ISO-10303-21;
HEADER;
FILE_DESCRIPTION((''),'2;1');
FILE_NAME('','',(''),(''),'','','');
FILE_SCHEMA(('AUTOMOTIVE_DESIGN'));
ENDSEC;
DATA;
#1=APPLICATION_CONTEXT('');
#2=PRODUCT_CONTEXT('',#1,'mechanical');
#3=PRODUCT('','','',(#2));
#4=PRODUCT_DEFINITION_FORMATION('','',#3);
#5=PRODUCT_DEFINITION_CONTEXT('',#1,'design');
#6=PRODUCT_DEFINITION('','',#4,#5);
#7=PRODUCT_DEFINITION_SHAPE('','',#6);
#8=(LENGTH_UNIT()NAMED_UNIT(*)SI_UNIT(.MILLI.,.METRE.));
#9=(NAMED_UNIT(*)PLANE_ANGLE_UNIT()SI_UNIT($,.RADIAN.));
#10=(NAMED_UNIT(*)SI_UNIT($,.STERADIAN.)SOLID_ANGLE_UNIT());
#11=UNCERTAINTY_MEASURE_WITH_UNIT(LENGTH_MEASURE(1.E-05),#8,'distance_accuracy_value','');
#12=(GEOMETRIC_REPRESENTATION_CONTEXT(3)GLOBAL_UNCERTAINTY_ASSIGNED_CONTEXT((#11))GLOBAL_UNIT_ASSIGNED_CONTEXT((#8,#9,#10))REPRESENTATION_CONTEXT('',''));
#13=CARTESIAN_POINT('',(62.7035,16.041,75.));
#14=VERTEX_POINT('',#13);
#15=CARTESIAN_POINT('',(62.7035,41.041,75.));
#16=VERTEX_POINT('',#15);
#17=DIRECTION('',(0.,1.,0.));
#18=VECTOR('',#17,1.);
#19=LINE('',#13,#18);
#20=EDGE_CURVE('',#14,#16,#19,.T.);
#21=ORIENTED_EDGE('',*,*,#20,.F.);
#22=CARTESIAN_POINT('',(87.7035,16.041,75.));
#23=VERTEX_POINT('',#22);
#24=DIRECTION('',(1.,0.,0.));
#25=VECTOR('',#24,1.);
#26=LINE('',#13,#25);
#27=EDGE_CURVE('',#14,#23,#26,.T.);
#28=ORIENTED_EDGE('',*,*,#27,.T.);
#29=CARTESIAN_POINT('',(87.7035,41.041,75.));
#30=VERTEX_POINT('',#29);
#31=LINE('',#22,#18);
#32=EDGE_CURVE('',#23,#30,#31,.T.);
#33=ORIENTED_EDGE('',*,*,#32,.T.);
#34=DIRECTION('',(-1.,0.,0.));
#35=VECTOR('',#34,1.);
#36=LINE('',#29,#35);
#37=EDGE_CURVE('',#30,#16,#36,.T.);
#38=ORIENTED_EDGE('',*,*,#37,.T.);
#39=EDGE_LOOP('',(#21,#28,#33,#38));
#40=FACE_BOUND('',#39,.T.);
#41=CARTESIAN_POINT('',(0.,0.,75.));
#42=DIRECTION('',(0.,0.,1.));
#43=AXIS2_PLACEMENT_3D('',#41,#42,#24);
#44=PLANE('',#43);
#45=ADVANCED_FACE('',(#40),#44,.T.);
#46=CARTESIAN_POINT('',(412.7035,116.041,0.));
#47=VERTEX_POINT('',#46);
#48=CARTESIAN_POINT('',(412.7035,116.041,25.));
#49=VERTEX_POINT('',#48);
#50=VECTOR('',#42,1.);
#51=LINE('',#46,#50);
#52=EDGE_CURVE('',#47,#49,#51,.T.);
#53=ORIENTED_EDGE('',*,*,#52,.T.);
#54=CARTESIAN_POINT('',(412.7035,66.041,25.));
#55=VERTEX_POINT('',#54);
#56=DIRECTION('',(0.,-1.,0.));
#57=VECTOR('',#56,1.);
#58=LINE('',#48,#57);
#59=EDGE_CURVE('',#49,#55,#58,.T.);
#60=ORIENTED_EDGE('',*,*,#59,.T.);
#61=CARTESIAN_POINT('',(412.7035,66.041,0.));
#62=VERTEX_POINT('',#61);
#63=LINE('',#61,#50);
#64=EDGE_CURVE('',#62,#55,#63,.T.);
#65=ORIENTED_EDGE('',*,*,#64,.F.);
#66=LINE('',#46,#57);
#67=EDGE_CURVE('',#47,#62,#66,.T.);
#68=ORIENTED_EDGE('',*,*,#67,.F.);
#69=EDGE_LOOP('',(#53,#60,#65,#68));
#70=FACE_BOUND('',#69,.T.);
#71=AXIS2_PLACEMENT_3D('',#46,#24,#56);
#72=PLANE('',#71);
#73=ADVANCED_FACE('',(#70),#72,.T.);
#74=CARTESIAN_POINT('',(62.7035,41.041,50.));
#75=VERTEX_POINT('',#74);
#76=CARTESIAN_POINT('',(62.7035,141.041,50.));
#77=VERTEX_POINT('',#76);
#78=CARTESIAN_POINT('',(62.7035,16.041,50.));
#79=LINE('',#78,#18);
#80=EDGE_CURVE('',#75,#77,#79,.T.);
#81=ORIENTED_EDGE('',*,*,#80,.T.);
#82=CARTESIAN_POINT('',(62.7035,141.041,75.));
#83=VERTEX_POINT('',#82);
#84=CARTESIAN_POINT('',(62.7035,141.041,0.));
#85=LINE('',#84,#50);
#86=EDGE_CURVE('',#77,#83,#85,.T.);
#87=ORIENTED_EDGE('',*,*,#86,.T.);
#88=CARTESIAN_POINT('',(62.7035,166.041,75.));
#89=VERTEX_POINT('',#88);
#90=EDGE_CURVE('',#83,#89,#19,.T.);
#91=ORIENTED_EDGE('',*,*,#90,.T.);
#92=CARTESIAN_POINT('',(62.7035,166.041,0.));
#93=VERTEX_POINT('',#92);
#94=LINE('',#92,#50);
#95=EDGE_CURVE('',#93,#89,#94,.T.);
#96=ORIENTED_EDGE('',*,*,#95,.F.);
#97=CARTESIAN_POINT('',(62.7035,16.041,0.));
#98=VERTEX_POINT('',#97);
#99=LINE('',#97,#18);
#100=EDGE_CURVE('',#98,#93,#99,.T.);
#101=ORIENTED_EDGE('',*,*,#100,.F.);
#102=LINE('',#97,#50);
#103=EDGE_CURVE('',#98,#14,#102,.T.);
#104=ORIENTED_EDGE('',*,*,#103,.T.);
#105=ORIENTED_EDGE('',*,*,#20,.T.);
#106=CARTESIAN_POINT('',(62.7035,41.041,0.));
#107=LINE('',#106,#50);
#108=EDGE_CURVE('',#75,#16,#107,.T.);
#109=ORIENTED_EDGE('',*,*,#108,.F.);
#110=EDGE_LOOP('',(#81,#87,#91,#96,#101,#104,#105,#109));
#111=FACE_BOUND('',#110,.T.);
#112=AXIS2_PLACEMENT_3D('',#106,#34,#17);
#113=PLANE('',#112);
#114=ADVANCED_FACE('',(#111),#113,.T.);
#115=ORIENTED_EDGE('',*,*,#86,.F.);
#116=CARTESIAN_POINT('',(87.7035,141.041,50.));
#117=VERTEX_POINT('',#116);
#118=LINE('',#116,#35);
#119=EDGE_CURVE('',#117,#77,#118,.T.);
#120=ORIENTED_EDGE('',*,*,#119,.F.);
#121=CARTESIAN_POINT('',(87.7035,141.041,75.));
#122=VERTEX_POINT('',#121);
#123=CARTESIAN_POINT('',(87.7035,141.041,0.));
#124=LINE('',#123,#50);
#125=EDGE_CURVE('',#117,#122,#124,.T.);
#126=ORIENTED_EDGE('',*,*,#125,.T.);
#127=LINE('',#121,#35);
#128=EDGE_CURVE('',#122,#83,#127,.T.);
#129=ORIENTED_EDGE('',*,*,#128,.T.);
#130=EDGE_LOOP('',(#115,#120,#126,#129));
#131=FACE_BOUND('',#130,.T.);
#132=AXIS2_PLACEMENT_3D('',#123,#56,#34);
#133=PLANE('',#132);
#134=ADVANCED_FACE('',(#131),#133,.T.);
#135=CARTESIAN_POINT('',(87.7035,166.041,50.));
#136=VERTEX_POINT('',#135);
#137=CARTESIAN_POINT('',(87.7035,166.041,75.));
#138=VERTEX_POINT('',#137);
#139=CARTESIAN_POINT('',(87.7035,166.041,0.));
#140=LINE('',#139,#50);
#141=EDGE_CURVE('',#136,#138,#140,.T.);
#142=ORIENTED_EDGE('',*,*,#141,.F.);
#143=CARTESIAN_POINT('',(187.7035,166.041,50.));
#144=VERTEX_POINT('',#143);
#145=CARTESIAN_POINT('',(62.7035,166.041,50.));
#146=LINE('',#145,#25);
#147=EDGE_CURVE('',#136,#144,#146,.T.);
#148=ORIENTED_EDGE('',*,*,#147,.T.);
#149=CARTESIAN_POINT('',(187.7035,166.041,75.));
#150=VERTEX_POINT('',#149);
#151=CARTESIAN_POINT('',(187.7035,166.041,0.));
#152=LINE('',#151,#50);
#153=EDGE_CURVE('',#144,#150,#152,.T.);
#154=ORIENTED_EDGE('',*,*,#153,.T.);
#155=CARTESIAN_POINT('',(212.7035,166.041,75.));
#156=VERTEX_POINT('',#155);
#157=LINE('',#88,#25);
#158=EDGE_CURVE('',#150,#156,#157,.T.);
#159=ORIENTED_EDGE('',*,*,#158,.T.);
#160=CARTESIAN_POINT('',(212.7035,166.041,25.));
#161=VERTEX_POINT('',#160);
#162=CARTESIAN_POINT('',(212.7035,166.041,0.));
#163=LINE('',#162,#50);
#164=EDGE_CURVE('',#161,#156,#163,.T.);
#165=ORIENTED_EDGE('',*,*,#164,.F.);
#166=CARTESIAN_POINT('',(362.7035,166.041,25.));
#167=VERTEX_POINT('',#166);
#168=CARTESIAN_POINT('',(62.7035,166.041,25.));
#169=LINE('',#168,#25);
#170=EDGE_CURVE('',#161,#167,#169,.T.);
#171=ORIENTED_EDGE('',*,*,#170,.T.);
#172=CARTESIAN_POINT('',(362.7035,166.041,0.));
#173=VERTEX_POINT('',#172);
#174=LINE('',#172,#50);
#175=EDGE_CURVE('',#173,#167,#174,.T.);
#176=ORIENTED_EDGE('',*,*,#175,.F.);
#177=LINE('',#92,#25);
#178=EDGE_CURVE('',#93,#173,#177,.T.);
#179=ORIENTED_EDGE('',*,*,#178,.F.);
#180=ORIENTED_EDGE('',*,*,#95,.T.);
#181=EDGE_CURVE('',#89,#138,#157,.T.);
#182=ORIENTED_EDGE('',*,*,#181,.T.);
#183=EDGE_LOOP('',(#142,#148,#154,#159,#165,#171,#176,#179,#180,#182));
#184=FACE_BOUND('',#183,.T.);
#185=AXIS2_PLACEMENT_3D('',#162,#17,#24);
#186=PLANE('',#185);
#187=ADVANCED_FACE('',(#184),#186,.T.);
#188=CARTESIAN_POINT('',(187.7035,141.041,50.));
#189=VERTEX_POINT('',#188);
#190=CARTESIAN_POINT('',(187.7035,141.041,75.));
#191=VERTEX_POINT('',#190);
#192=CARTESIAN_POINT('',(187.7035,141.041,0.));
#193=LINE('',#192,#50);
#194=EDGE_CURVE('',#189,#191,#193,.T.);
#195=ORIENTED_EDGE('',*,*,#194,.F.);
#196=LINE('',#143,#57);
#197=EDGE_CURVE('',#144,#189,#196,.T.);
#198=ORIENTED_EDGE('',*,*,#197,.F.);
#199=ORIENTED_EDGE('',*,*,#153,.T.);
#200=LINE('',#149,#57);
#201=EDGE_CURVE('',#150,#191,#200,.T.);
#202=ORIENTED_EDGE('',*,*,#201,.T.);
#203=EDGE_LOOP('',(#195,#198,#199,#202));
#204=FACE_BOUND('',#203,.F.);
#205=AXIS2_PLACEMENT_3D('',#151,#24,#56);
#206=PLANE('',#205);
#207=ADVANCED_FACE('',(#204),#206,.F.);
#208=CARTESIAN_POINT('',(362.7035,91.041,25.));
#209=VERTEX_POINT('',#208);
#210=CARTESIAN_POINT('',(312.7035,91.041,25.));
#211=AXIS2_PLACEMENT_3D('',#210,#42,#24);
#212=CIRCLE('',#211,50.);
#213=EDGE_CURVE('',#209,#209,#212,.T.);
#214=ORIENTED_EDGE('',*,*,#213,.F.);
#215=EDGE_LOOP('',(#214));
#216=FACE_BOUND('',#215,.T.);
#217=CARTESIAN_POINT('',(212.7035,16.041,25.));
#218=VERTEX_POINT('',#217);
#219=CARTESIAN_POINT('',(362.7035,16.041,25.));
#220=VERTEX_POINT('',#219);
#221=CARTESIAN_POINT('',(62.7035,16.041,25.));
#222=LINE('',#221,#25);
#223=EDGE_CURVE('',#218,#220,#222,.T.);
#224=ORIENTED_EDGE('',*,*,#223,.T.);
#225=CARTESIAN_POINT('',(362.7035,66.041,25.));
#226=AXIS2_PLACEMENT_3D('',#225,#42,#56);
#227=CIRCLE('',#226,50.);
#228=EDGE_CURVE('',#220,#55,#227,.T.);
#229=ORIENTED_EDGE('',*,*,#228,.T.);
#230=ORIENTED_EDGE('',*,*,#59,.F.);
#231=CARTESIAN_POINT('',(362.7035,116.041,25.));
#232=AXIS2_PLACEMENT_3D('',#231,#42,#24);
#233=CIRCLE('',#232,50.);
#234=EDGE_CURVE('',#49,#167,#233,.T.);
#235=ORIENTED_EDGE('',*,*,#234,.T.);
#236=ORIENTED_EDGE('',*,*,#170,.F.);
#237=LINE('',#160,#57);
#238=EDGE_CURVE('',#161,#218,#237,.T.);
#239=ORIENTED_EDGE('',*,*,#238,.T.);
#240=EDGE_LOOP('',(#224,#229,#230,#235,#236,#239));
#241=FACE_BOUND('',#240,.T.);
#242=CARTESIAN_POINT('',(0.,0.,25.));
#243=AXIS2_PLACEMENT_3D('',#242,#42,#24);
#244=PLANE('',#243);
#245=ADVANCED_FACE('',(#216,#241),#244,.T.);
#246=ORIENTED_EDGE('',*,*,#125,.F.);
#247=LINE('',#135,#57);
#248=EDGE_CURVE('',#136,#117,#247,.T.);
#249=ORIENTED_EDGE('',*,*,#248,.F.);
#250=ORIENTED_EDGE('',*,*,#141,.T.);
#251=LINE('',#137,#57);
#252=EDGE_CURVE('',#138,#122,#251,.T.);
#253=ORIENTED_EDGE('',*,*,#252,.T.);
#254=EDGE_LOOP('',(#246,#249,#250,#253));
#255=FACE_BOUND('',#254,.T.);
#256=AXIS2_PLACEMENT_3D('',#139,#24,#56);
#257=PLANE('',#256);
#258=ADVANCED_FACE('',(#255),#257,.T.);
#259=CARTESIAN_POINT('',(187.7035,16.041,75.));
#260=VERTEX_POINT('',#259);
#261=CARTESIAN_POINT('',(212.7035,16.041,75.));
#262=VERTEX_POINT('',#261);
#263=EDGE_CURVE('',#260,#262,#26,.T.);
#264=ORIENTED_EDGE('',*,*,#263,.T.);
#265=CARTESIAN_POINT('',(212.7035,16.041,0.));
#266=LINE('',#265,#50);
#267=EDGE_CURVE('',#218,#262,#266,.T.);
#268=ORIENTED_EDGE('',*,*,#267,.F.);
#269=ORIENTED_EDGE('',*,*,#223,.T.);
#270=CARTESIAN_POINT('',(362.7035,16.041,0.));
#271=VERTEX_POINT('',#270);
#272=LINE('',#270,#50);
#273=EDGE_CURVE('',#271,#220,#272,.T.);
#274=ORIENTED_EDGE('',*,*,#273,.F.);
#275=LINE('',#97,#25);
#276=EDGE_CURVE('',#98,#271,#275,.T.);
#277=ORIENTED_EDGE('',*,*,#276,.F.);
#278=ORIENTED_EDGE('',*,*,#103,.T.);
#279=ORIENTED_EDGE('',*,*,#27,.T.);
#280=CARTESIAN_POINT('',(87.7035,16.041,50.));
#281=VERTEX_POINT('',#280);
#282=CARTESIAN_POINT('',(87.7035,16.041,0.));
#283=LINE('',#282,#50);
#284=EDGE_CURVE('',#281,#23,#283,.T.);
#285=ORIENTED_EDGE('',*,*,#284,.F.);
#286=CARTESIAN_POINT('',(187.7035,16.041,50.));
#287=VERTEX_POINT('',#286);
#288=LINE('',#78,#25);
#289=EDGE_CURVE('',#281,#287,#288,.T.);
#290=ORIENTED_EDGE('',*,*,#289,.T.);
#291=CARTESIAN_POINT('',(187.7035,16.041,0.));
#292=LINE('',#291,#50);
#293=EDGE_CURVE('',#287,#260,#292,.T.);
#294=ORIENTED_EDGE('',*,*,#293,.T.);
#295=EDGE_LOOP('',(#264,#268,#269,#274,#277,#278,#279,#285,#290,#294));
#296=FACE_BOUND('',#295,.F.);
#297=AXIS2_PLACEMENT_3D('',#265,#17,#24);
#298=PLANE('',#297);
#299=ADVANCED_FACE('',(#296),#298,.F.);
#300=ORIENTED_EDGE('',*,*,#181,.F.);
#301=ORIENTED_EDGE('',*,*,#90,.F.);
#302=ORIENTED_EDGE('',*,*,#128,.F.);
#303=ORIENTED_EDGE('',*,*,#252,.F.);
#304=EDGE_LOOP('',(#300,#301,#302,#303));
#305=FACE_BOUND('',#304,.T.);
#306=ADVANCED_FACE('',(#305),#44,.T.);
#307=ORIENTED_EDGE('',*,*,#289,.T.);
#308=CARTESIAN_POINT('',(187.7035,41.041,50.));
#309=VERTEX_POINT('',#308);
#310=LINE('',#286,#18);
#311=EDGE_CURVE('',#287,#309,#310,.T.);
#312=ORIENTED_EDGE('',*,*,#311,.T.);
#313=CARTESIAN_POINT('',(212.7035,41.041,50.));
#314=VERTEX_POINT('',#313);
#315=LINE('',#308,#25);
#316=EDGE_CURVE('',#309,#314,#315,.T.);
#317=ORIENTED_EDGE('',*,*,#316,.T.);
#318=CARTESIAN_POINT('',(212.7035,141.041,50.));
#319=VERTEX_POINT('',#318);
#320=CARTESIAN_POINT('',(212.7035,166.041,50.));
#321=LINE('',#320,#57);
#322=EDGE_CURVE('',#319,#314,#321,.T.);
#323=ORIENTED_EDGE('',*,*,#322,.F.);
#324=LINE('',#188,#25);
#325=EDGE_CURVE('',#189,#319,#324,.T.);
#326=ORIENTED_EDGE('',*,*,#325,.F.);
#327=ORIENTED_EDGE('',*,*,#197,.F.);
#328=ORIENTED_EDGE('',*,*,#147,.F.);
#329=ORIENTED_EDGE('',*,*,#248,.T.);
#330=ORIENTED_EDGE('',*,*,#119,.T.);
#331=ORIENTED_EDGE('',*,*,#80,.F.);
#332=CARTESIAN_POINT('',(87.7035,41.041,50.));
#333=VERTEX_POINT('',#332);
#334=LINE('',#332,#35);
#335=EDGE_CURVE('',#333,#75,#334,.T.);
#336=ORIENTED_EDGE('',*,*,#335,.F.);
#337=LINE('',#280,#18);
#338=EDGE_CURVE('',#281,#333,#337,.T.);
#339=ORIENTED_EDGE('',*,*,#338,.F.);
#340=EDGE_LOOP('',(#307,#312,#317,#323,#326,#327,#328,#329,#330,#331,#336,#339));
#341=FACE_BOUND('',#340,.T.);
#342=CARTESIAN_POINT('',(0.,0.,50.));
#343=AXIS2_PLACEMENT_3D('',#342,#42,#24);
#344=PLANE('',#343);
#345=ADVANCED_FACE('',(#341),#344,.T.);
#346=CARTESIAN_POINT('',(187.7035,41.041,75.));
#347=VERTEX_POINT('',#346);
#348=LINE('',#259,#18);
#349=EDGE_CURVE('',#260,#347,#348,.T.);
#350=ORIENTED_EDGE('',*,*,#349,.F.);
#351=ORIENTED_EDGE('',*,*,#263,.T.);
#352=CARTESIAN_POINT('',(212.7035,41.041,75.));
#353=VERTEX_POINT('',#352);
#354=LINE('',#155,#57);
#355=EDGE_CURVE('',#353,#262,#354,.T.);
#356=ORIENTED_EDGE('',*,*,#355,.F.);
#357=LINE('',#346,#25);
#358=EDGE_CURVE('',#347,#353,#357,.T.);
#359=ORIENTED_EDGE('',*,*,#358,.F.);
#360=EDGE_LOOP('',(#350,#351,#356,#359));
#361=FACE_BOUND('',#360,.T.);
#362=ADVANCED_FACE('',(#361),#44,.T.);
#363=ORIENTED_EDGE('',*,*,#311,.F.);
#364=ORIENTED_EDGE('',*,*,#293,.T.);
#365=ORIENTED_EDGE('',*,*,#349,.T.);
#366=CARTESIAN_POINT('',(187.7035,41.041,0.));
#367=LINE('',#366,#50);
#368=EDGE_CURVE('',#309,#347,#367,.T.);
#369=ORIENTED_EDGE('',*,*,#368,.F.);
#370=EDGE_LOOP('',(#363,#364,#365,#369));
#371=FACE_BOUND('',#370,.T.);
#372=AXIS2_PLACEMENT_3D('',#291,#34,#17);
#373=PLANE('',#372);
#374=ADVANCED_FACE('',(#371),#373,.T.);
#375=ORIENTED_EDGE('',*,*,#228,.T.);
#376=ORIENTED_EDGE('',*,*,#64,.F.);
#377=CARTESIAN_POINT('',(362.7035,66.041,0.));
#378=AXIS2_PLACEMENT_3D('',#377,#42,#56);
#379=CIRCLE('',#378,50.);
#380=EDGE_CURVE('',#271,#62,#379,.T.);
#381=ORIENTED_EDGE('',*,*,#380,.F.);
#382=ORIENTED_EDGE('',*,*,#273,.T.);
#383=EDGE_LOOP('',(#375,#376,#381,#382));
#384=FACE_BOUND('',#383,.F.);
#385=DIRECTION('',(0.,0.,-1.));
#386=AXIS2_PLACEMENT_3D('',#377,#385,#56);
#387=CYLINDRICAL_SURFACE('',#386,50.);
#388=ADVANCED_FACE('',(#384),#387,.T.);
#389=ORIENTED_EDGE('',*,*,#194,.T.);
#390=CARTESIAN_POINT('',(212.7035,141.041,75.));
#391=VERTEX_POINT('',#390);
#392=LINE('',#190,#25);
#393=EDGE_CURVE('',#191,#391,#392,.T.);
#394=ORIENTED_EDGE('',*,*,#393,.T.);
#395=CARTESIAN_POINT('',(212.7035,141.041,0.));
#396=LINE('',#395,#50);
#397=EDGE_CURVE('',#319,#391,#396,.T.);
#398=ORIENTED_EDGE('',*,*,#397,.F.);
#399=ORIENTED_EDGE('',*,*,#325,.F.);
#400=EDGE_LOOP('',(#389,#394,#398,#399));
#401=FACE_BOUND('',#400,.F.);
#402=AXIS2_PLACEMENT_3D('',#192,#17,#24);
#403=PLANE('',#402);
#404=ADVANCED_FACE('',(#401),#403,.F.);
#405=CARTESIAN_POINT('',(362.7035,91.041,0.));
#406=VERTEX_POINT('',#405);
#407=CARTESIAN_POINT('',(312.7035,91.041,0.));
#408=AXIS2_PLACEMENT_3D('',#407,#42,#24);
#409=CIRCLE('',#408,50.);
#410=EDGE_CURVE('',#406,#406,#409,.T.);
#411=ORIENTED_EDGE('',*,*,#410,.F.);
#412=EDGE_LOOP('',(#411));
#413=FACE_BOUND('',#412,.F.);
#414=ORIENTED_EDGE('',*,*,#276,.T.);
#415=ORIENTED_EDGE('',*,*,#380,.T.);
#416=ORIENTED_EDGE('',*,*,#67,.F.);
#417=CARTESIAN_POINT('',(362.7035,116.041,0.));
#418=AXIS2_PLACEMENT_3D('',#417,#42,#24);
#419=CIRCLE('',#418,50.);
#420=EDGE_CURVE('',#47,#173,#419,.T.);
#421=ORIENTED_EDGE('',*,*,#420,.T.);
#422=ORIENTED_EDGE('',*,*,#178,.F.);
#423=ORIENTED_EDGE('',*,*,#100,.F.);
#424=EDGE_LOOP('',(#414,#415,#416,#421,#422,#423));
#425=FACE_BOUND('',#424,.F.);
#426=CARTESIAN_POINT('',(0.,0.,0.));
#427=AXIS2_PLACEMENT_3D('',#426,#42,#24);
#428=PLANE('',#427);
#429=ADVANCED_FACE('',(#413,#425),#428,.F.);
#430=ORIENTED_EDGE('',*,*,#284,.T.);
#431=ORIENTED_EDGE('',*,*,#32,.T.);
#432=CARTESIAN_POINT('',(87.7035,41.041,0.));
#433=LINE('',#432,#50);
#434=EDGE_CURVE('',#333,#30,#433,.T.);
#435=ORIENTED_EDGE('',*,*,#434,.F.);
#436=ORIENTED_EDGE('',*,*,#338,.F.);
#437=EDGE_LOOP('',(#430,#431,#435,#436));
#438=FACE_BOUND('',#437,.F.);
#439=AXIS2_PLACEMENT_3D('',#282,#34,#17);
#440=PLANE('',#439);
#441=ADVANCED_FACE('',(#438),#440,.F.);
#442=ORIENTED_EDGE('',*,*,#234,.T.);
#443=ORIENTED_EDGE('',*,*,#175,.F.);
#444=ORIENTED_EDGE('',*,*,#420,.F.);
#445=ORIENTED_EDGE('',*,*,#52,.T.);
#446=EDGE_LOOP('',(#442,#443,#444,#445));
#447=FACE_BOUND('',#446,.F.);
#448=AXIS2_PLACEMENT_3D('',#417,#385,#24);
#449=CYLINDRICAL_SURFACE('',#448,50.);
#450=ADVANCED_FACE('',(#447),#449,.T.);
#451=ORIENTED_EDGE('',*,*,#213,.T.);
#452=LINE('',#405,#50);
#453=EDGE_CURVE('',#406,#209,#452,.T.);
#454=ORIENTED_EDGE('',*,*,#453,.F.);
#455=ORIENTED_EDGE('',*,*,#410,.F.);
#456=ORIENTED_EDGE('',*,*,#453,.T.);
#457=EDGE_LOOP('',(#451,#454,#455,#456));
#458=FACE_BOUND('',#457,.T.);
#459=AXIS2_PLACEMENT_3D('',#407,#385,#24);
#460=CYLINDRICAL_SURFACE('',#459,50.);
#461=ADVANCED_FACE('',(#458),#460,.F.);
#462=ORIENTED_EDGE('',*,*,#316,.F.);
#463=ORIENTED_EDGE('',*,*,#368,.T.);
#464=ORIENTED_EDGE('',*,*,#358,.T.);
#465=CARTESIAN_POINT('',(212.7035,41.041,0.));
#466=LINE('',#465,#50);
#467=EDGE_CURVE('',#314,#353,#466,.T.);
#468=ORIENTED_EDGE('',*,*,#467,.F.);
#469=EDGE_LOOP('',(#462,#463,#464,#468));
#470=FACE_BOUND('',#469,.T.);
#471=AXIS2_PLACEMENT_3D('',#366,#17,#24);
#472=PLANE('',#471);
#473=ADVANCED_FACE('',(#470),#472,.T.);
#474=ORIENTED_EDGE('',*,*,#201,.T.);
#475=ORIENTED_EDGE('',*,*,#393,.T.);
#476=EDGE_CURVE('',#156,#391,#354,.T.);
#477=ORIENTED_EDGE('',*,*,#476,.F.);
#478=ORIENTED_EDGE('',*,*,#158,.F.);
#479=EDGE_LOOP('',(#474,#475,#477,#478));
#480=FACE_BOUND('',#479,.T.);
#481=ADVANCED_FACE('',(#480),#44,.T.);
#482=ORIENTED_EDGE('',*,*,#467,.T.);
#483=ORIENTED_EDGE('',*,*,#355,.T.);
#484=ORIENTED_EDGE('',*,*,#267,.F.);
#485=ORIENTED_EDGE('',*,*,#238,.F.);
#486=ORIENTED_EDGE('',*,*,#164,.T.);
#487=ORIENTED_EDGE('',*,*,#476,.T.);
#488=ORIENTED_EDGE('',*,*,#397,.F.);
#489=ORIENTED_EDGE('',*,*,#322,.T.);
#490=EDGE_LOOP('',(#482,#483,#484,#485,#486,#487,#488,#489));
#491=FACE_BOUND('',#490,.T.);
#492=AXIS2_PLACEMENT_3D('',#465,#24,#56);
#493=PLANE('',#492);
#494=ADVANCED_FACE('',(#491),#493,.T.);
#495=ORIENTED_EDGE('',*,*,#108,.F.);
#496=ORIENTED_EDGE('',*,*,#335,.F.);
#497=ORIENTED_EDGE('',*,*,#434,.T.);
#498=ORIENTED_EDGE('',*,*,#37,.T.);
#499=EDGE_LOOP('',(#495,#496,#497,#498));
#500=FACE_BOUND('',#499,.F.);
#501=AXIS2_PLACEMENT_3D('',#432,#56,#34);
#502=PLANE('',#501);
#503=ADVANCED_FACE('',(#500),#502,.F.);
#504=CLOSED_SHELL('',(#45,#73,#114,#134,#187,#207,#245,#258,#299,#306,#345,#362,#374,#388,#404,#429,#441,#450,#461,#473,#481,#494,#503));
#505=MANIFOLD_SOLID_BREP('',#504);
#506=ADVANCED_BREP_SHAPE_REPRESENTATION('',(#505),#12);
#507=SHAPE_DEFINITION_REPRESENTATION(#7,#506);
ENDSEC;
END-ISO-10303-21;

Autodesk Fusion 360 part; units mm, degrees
sketch "Sketch1" plane through (0, 0, 0) normal (0, 0, 1) x (1, 0, 0)
  line L0 (62.7035, 16.041) -> (62.7035, 166.041)
  line L1 (62.7035, 16.041) -> (362.7035, 16.041)
  line L2 (62.7035, 166.041) -> (362.7035, 166.041)
  line L3 (412.7035, 116.041) -> (412.7035, 66.041)
  arc A0 (412.7035, 116.041) -> (362.7035, 166.041) centre (362.7035, 116.041) ccw
  arc A1 (362.7035, 16.041) -> (412.7035, 66.041) centre (362.7035, 66.041) ccw
  line L4 (212.7035, 166.041) -> (212.7035, 16.041)
  circle A2 centre (312.7035, 91.041) radius 50
  line L5 (62.7035, 166.041) -> (87.7035, 166.041)
  line L6 (87.7035, 166.041) -> (87.7035, 141.041)
  line L7 (87.7035, 141.041) -> (62.7035, 141.041)
  line L8 (62.7035, 141.041) -> (62.7035, 166.041)
  line L9 (212.7035, 166.041) -> (187.7035, 166.041)
  line L10 (187.7035, 166.041) -> (187.7035, 141.041)
  line L11 (187.7035, 141.041) -> (212.7035, 141.041)
  line L12 (212.7035, 141.041) -> (212.7035, 166.041)
  line L13 (62.7035, 16.041) -> (87.7035, 16.041)
  line L14 (87.7035, 16.041) -> (87.7035, 41.041)
  line L15 (87.7035, 41.041) -> (62.7035, 41.041)
  line L16 (62.7035, 41.041) -> (62.7035, 16.041)
  line L17 (212.7035, 16.041) -> (187.7035, 16.041)
  line L18 (187.7035, 16.041) -> (187.7035, 41.041)
  line L19 (187.7035, 41.041) -> (212.7035, 41.041)
  line L20 (212.7035, 41.041) -> (212.7035, 16.041)
  point P0 (412.7035, 16.041)
  point P1 (412.7035, 166.041)
  dimension "d1" = 150
  dimension "d2" = 350
  dimension "d3" = 350
  dimension "d4" = 50
  dimension "d5" = 50
  dimension "d8" = 100
  dimension "d9" = 25
  dimension "d10" = 25
  dimension "d11" = 25
  dimension "d12" = 25
  dimension "d13" = 25
  dimension "d14" = 25
  dimension "d15" = 25
  dimension "d16" = 25
extrude "Extrude1" add sketch "Sketch1" along normal blind 25 contours L1 L2 L3 A0 A1 L4 L12 L20
extrude "Extrude2" add sketch "Sketch1" along normal blind 50 contours L0 L1 L2 L4 L6 L7 L10 L11 L14 L15 L18 L19
extrude "Extrude3" add sketch "Sketch1" along normal blind 75 contours L0 L1 L13 L14 L15 L16 | L0 L2 L5 L6 L7 L8 | L1 L4 L17 L18 L19 L20 | L2 L4 L9 L10 L11 L12
